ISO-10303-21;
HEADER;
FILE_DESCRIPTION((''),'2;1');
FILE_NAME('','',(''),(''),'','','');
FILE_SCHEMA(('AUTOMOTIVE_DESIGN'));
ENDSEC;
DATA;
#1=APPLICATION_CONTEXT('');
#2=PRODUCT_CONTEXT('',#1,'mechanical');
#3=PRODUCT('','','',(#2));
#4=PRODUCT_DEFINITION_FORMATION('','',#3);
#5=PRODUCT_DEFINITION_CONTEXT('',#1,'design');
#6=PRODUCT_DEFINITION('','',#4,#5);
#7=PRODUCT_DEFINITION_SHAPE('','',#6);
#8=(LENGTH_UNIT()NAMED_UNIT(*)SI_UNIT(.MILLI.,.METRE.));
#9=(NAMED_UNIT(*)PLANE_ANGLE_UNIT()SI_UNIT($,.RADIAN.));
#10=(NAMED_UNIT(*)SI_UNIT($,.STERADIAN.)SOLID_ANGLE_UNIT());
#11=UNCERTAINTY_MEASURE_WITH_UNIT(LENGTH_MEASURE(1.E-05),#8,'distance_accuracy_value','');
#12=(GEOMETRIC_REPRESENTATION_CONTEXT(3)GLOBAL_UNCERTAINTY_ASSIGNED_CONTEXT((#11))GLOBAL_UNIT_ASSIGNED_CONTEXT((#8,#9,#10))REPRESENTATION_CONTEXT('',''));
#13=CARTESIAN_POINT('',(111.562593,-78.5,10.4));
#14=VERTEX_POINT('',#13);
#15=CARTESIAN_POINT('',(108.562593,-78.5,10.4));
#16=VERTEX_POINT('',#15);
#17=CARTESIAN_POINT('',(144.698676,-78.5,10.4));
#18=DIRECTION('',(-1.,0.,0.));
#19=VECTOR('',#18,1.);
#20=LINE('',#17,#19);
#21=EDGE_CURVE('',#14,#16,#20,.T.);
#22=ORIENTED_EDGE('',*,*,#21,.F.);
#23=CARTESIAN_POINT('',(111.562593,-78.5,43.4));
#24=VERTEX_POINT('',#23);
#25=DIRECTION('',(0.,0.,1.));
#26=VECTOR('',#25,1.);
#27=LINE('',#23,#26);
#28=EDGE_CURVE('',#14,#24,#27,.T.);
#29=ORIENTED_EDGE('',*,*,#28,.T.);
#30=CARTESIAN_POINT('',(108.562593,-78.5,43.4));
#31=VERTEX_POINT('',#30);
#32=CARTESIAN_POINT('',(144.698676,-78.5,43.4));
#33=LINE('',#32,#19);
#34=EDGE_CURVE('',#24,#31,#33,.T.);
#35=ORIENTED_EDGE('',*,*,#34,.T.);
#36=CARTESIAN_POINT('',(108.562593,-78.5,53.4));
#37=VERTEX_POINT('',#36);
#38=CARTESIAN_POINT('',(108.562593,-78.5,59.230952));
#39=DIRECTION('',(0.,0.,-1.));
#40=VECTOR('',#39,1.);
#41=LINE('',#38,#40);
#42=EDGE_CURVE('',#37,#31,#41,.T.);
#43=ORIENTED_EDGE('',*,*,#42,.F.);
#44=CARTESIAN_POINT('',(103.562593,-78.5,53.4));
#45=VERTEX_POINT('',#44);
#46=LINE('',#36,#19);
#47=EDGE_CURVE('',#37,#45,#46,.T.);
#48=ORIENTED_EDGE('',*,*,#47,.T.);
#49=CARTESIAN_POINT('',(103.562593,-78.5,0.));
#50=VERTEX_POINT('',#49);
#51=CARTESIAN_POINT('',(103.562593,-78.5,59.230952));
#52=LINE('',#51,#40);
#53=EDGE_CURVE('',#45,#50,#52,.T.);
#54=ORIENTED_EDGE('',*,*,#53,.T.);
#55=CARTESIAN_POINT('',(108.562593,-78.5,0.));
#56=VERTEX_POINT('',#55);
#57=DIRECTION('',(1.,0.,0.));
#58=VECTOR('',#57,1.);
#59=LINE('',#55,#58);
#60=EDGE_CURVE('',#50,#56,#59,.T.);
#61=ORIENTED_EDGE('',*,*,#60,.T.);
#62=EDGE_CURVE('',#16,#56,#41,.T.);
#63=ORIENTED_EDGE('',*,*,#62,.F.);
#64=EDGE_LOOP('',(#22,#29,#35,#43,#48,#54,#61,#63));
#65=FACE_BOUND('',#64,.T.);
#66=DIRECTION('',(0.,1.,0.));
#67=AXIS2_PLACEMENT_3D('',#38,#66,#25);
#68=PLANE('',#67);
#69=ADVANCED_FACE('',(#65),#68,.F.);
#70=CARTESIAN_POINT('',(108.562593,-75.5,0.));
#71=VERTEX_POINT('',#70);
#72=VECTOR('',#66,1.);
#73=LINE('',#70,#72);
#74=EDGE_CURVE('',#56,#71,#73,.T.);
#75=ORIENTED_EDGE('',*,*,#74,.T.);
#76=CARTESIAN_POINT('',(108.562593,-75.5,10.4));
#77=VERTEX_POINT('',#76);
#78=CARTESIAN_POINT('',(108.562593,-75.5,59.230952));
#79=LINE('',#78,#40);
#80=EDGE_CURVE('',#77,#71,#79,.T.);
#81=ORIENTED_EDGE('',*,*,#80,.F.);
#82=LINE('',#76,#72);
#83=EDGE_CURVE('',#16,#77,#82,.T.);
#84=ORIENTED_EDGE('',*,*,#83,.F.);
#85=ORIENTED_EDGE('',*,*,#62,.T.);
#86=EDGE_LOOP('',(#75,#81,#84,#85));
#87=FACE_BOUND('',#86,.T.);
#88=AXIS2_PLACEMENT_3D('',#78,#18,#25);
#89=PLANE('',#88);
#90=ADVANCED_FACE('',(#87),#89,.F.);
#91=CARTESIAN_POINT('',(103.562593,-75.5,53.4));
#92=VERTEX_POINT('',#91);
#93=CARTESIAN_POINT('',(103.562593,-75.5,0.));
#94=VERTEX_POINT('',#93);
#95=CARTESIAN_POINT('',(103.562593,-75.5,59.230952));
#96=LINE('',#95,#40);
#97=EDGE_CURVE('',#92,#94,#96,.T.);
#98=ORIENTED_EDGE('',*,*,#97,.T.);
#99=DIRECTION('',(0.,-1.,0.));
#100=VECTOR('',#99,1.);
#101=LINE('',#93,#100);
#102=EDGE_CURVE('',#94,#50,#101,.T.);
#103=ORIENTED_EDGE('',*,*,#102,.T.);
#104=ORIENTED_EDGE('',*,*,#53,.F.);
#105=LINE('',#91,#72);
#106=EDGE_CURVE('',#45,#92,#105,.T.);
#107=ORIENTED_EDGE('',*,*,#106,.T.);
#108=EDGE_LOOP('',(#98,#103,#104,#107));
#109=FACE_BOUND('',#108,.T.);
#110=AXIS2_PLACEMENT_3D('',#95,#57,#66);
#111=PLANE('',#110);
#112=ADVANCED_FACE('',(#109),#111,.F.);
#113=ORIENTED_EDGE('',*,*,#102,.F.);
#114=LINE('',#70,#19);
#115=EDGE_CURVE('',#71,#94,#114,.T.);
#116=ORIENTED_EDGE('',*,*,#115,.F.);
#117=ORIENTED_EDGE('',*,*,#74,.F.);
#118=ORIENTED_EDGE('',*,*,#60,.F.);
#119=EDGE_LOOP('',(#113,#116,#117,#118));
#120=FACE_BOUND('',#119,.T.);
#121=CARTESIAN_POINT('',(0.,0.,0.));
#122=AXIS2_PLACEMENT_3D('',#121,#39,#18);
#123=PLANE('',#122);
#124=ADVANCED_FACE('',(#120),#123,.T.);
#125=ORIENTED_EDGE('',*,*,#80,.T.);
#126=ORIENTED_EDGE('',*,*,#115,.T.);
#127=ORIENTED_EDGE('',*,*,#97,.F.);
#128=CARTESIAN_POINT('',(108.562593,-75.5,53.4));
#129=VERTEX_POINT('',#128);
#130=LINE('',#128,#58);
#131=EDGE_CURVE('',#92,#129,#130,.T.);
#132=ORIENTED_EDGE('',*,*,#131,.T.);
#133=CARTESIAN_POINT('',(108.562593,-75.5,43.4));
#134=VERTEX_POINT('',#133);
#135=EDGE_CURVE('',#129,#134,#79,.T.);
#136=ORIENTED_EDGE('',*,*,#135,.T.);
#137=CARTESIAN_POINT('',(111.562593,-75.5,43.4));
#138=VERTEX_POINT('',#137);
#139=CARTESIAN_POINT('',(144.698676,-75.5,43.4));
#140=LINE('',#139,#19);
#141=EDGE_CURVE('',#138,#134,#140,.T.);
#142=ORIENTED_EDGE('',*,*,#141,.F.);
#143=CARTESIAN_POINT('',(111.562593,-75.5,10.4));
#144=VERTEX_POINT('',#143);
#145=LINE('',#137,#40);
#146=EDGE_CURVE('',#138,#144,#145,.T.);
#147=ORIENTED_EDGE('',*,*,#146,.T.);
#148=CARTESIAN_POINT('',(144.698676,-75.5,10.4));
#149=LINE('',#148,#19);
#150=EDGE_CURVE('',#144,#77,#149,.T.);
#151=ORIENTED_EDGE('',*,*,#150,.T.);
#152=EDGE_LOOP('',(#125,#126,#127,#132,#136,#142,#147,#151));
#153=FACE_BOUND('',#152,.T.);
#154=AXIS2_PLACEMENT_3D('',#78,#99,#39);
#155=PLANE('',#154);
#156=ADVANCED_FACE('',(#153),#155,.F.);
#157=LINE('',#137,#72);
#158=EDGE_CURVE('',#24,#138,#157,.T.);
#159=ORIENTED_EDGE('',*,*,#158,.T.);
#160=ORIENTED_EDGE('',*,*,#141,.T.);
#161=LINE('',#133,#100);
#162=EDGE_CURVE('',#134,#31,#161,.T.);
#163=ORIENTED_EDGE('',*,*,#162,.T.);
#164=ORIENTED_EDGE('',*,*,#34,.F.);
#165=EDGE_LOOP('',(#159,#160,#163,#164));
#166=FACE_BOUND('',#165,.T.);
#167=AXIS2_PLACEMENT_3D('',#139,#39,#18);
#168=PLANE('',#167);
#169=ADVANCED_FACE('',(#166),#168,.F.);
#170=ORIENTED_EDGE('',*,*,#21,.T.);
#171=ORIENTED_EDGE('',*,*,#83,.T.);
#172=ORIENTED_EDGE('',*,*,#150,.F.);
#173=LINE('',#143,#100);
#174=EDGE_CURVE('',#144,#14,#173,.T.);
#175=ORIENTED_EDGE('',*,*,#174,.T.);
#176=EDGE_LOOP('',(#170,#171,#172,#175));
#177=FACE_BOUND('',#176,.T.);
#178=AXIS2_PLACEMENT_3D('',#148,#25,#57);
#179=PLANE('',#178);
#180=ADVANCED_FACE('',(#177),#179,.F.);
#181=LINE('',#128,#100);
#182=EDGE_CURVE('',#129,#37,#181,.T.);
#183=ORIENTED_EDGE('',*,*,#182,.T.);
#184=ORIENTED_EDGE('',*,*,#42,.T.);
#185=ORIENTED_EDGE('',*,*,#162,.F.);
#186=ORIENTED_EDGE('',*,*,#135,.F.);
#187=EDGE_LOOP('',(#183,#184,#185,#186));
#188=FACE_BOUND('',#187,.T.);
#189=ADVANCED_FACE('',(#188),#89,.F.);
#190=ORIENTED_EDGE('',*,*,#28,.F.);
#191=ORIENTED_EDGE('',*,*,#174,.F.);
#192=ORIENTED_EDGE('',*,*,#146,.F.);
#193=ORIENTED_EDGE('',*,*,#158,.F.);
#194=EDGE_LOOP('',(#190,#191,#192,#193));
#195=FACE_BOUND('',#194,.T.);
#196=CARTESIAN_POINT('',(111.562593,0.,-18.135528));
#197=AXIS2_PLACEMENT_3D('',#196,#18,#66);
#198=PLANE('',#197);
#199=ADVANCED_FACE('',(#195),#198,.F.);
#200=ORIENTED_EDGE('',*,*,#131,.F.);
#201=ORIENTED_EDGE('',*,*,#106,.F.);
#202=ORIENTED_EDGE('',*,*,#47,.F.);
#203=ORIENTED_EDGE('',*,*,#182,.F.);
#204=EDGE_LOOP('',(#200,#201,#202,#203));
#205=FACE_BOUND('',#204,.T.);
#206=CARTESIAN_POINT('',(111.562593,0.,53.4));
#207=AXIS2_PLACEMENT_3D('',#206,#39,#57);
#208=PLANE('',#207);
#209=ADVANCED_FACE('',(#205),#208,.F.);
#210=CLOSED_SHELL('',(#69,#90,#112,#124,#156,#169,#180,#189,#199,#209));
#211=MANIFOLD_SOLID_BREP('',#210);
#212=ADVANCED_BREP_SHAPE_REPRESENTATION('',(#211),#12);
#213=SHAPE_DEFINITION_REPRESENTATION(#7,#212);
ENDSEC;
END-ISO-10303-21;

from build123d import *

# Parameters (mm, degrees)
ESQUISSE1_W        = 5
ESQUISSE1_H        = 3
BOSS_EXTRU_1_DEPTH = 53.4
ESQUISSE2_W        = 33
ESQUISSE2_H        = 3
BOSS_EXTRU_2_DEPTH = 3


with BuildPart() as part:
    # Esquisse1 → Boss.-Extru.1 (new body)
    with BuildSketch(Plane.XY):
        with Locations((106.062592566, -77)):
            Rectangle(ESQUISSE1_W, ESQUISSE1_H)
    extrude(amount=BOSS_EXTRU_1_DEPTH)

    # Esquisse2 → Boss.-Extru.2 (add)
    with BuildSketch(Plane(origin=(108.562592566, 0, 0), x_dir=(0, 0, -1), z_dir=(1, 0, 0))):
        with Locations((-26.9, -77)):
            Rectangle(ESQUISSE2_W, ESQUISSE2_H)
    extrude(amount=BOSS_EXTRU_2_DEPTH)


solid = part.part
